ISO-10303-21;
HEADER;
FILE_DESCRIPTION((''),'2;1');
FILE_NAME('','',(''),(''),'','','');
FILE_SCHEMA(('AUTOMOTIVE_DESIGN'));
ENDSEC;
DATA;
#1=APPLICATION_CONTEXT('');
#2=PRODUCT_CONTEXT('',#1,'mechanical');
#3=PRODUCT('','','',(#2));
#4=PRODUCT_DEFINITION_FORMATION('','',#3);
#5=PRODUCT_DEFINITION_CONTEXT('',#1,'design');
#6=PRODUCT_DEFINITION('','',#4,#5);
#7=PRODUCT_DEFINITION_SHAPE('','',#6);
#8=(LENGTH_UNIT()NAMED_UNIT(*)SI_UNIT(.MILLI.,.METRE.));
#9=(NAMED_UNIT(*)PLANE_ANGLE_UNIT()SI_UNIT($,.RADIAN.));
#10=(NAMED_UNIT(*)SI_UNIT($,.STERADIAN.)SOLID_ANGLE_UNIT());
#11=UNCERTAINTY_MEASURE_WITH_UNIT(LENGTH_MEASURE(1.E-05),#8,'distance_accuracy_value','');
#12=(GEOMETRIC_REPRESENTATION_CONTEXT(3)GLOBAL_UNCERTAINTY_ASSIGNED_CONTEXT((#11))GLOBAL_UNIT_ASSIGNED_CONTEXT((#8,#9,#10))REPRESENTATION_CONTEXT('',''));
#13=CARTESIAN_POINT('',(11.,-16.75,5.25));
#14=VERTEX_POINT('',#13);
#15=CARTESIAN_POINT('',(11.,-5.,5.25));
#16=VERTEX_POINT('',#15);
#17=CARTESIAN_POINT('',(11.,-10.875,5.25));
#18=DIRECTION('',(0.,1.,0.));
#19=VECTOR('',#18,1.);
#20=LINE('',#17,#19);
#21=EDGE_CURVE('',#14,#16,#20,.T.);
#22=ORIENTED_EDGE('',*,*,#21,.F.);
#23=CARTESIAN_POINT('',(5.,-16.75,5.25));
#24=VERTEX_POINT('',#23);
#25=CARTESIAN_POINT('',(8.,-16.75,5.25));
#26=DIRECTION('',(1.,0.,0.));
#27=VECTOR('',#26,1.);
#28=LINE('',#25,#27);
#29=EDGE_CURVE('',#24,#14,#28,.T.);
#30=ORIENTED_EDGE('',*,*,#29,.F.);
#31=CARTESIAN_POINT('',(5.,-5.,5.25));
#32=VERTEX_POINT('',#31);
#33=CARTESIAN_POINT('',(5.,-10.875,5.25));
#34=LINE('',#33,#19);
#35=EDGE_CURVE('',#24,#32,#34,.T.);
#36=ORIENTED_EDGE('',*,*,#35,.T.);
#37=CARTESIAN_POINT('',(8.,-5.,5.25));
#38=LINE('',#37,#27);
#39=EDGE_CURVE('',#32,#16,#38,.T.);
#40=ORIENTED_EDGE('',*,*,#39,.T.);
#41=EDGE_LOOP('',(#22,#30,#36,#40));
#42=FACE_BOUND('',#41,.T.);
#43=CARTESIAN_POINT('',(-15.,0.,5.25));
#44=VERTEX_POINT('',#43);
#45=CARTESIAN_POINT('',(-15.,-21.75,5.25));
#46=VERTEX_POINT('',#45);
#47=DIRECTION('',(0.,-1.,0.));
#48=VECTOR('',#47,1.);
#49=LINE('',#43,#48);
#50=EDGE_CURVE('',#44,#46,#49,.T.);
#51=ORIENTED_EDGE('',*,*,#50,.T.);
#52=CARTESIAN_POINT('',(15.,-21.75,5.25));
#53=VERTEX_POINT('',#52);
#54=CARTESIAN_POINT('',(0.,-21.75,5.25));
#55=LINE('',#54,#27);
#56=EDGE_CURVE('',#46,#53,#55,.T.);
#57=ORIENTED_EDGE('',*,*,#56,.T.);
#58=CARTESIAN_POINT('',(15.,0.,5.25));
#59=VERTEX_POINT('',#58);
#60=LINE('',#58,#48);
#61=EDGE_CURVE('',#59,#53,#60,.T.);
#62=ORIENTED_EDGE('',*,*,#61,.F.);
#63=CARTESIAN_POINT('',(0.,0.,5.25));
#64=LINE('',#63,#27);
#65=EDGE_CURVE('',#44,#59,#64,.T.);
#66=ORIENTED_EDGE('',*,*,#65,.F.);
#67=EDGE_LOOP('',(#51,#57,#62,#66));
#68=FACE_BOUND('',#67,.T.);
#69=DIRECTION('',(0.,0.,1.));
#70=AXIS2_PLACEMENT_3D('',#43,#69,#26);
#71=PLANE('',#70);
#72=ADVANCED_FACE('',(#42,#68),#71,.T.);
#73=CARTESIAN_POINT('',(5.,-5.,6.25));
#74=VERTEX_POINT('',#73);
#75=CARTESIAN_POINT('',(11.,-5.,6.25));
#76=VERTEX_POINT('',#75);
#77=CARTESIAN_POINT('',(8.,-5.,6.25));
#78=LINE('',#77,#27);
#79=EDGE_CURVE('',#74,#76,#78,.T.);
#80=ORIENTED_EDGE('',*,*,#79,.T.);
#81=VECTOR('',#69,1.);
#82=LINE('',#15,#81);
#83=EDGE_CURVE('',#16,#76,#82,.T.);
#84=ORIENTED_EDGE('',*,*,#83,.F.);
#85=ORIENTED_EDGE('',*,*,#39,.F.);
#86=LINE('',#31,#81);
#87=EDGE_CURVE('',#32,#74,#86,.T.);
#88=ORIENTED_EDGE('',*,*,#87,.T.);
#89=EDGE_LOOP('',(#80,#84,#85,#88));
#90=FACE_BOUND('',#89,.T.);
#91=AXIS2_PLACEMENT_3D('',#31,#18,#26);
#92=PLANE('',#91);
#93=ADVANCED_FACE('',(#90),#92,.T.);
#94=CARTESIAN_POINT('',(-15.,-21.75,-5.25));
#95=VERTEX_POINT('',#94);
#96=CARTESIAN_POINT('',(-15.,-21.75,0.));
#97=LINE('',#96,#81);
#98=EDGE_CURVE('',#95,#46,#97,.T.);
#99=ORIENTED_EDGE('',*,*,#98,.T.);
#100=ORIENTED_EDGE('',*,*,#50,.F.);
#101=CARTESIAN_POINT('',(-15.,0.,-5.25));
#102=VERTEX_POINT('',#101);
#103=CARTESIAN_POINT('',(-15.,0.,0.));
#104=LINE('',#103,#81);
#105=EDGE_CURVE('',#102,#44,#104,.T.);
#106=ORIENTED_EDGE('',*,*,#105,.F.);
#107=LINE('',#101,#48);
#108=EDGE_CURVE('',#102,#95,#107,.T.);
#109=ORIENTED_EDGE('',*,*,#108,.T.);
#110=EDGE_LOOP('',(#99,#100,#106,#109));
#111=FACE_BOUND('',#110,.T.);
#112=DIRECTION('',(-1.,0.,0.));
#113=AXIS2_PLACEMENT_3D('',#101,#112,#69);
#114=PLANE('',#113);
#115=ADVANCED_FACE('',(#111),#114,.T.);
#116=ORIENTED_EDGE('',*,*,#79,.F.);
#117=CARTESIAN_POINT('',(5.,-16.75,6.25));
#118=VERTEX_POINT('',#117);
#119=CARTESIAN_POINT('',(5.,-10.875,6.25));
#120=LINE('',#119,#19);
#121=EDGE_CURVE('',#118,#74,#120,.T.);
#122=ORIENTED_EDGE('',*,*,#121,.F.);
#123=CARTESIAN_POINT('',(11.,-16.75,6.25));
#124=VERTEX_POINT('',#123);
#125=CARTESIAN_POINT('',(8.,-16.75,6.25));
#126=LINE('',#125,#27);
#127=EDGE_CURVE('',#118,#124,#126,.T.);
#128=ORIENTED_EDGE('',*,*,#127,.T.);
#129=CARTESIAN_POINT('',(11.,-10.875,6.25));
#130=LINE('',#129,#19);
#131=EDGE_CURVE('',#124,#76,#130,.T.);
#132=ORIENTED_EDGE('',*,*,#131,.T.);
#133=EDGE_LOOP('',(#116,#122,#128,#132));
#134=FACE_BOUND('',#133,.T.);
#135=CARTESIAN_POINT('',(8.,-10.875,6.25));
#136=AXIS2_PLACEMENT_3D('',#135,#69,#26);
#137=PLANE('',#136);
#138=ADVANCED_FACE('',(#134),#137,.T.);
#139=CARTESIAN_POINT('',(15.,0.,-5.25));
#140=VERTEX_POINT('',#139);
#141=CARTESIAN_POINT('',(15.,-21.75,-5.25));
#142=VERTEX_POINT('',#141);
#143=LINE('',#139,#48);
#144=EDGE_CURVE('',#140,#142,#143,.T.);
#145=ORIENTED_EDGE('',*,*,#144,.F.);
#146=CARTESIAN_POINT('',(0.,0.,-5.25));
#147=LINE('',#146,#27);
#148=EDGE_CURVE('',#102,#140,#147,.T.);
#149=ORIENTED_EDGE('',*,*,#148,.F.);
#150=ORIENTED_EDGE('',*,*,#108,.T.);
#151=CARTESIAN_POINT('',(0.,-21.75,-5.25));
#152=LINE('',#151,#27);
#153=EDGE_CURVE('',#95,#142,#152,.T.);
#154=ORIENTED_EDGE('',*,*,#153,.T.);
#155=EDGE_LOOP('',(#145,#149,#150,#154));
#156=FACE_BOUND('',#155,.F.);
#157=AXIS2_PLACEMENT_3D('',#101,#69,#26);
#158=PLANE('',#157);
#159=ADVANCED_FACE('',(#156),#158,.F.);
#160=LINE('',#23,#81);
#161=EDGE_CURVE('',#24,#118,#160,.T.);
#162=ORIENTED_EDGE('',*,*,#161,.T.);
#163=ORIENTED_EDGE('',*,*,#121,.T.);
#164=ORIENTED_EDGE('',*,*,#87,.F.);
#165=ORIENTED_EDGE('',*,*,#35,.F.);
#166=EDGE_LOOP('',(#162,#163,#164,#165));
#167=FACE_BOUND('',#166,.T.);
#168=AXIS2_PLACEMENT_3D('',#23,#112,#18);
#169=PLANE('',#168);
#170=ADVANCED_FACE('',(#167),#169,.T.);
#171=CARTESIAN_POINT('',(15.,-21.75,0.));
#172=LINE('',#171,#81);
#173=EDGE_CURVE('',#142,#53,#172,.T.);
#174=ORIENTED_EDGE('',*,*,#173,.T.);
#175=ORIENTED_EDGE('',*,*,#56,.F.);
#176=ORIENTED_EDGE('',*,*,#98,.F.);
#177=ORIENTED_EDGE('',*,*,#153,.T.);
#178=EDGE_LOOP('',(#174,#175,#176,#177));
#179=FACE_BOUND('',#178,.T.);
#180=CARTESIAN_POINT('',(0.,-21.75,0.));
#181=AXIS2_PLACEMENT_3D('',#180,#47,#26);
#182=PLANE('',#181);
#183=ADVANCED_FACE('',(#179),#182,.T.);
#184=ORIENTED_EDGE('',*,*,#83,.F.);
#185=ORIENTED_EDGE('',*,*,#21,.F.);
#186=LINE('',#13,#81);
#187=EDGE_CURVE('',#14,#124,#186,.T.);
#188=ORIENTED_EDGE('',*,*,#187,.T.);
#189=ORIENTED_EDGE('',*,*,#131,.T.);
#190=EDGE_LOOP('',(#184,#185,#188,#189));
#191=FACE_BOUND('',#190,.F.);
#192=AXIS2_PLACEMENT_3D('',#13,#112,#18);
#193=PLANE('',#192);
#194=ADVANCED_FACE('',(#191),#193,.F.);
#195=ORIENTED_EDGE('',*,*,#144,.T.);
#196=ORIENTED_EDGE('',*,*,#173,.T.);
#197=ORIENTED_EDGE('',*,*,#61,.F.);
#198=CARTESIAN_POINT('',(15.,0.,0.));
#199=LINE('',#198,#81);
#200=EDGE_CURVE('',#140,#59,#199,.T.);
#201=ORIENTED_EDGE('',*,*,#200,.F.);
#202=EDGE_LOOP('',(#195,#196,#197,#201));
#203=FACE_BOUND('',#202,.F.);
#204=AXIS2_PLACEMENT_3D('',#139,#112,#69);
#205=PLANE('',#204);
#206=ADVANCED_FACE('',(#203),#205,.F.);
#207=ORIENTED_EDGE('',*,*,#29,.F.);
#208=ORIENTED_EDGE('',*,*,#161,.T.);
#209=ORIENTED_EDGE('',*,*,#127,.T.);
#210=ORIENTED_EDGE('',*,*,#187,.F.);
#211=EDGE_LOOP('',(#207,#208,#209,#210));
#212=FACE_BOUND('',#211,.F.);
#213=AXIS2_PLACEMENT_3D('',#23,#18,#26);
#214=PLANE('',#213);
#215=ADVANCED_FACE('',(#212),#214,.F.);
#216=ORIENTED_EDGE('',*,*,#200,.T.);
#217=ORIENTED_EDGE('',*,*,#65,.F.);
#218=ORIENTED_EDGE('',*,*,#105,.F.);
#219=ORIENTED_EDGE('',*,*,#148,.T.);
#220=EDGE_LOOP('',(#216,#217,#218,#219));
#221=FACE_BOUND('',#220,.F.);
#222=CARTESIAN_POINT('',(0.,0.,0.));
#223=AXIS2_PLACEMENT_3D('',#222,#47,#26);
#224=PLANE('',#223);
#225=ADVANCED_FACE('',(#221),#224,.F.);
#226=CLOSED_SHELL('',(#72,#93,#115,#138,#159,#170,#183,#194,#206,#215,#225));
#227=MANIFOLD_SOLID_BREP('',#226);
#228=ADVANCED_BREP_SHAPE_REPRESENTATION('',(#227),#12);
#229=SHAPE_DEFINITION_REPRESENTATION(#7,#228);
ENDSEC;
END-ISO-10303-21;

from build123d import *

# Parameters (mm, degrees)
F0_W     = 2
F0_H     = 0.7
F1_DEPTH = 1.45
F2_SCALE = 15
F3_W     = 6
F3_H     = 11.75
F4_DEPTH = 1


with BuildPart() as f1:
    # F0 (on Front) → F1 (new body)
    with BuildSketch(Plane.XZ):
        Rectangle(F0_W, F0_H)
    extrude(amount=F1_DEPTH)


with BuildPart() as f1_1:
    # F2: moved
    add(f1.part.scale(F2_SCALE))

    # F3 (on face) → F4 (join)
    with BuildSketch(Plane.XY.offset(5.25)):
        with Locations((8, -10.875)):
            Rectangle(F3_W, F3_H)
    extrude(amount=F4_DEPTH)


solid = f1_1.part
